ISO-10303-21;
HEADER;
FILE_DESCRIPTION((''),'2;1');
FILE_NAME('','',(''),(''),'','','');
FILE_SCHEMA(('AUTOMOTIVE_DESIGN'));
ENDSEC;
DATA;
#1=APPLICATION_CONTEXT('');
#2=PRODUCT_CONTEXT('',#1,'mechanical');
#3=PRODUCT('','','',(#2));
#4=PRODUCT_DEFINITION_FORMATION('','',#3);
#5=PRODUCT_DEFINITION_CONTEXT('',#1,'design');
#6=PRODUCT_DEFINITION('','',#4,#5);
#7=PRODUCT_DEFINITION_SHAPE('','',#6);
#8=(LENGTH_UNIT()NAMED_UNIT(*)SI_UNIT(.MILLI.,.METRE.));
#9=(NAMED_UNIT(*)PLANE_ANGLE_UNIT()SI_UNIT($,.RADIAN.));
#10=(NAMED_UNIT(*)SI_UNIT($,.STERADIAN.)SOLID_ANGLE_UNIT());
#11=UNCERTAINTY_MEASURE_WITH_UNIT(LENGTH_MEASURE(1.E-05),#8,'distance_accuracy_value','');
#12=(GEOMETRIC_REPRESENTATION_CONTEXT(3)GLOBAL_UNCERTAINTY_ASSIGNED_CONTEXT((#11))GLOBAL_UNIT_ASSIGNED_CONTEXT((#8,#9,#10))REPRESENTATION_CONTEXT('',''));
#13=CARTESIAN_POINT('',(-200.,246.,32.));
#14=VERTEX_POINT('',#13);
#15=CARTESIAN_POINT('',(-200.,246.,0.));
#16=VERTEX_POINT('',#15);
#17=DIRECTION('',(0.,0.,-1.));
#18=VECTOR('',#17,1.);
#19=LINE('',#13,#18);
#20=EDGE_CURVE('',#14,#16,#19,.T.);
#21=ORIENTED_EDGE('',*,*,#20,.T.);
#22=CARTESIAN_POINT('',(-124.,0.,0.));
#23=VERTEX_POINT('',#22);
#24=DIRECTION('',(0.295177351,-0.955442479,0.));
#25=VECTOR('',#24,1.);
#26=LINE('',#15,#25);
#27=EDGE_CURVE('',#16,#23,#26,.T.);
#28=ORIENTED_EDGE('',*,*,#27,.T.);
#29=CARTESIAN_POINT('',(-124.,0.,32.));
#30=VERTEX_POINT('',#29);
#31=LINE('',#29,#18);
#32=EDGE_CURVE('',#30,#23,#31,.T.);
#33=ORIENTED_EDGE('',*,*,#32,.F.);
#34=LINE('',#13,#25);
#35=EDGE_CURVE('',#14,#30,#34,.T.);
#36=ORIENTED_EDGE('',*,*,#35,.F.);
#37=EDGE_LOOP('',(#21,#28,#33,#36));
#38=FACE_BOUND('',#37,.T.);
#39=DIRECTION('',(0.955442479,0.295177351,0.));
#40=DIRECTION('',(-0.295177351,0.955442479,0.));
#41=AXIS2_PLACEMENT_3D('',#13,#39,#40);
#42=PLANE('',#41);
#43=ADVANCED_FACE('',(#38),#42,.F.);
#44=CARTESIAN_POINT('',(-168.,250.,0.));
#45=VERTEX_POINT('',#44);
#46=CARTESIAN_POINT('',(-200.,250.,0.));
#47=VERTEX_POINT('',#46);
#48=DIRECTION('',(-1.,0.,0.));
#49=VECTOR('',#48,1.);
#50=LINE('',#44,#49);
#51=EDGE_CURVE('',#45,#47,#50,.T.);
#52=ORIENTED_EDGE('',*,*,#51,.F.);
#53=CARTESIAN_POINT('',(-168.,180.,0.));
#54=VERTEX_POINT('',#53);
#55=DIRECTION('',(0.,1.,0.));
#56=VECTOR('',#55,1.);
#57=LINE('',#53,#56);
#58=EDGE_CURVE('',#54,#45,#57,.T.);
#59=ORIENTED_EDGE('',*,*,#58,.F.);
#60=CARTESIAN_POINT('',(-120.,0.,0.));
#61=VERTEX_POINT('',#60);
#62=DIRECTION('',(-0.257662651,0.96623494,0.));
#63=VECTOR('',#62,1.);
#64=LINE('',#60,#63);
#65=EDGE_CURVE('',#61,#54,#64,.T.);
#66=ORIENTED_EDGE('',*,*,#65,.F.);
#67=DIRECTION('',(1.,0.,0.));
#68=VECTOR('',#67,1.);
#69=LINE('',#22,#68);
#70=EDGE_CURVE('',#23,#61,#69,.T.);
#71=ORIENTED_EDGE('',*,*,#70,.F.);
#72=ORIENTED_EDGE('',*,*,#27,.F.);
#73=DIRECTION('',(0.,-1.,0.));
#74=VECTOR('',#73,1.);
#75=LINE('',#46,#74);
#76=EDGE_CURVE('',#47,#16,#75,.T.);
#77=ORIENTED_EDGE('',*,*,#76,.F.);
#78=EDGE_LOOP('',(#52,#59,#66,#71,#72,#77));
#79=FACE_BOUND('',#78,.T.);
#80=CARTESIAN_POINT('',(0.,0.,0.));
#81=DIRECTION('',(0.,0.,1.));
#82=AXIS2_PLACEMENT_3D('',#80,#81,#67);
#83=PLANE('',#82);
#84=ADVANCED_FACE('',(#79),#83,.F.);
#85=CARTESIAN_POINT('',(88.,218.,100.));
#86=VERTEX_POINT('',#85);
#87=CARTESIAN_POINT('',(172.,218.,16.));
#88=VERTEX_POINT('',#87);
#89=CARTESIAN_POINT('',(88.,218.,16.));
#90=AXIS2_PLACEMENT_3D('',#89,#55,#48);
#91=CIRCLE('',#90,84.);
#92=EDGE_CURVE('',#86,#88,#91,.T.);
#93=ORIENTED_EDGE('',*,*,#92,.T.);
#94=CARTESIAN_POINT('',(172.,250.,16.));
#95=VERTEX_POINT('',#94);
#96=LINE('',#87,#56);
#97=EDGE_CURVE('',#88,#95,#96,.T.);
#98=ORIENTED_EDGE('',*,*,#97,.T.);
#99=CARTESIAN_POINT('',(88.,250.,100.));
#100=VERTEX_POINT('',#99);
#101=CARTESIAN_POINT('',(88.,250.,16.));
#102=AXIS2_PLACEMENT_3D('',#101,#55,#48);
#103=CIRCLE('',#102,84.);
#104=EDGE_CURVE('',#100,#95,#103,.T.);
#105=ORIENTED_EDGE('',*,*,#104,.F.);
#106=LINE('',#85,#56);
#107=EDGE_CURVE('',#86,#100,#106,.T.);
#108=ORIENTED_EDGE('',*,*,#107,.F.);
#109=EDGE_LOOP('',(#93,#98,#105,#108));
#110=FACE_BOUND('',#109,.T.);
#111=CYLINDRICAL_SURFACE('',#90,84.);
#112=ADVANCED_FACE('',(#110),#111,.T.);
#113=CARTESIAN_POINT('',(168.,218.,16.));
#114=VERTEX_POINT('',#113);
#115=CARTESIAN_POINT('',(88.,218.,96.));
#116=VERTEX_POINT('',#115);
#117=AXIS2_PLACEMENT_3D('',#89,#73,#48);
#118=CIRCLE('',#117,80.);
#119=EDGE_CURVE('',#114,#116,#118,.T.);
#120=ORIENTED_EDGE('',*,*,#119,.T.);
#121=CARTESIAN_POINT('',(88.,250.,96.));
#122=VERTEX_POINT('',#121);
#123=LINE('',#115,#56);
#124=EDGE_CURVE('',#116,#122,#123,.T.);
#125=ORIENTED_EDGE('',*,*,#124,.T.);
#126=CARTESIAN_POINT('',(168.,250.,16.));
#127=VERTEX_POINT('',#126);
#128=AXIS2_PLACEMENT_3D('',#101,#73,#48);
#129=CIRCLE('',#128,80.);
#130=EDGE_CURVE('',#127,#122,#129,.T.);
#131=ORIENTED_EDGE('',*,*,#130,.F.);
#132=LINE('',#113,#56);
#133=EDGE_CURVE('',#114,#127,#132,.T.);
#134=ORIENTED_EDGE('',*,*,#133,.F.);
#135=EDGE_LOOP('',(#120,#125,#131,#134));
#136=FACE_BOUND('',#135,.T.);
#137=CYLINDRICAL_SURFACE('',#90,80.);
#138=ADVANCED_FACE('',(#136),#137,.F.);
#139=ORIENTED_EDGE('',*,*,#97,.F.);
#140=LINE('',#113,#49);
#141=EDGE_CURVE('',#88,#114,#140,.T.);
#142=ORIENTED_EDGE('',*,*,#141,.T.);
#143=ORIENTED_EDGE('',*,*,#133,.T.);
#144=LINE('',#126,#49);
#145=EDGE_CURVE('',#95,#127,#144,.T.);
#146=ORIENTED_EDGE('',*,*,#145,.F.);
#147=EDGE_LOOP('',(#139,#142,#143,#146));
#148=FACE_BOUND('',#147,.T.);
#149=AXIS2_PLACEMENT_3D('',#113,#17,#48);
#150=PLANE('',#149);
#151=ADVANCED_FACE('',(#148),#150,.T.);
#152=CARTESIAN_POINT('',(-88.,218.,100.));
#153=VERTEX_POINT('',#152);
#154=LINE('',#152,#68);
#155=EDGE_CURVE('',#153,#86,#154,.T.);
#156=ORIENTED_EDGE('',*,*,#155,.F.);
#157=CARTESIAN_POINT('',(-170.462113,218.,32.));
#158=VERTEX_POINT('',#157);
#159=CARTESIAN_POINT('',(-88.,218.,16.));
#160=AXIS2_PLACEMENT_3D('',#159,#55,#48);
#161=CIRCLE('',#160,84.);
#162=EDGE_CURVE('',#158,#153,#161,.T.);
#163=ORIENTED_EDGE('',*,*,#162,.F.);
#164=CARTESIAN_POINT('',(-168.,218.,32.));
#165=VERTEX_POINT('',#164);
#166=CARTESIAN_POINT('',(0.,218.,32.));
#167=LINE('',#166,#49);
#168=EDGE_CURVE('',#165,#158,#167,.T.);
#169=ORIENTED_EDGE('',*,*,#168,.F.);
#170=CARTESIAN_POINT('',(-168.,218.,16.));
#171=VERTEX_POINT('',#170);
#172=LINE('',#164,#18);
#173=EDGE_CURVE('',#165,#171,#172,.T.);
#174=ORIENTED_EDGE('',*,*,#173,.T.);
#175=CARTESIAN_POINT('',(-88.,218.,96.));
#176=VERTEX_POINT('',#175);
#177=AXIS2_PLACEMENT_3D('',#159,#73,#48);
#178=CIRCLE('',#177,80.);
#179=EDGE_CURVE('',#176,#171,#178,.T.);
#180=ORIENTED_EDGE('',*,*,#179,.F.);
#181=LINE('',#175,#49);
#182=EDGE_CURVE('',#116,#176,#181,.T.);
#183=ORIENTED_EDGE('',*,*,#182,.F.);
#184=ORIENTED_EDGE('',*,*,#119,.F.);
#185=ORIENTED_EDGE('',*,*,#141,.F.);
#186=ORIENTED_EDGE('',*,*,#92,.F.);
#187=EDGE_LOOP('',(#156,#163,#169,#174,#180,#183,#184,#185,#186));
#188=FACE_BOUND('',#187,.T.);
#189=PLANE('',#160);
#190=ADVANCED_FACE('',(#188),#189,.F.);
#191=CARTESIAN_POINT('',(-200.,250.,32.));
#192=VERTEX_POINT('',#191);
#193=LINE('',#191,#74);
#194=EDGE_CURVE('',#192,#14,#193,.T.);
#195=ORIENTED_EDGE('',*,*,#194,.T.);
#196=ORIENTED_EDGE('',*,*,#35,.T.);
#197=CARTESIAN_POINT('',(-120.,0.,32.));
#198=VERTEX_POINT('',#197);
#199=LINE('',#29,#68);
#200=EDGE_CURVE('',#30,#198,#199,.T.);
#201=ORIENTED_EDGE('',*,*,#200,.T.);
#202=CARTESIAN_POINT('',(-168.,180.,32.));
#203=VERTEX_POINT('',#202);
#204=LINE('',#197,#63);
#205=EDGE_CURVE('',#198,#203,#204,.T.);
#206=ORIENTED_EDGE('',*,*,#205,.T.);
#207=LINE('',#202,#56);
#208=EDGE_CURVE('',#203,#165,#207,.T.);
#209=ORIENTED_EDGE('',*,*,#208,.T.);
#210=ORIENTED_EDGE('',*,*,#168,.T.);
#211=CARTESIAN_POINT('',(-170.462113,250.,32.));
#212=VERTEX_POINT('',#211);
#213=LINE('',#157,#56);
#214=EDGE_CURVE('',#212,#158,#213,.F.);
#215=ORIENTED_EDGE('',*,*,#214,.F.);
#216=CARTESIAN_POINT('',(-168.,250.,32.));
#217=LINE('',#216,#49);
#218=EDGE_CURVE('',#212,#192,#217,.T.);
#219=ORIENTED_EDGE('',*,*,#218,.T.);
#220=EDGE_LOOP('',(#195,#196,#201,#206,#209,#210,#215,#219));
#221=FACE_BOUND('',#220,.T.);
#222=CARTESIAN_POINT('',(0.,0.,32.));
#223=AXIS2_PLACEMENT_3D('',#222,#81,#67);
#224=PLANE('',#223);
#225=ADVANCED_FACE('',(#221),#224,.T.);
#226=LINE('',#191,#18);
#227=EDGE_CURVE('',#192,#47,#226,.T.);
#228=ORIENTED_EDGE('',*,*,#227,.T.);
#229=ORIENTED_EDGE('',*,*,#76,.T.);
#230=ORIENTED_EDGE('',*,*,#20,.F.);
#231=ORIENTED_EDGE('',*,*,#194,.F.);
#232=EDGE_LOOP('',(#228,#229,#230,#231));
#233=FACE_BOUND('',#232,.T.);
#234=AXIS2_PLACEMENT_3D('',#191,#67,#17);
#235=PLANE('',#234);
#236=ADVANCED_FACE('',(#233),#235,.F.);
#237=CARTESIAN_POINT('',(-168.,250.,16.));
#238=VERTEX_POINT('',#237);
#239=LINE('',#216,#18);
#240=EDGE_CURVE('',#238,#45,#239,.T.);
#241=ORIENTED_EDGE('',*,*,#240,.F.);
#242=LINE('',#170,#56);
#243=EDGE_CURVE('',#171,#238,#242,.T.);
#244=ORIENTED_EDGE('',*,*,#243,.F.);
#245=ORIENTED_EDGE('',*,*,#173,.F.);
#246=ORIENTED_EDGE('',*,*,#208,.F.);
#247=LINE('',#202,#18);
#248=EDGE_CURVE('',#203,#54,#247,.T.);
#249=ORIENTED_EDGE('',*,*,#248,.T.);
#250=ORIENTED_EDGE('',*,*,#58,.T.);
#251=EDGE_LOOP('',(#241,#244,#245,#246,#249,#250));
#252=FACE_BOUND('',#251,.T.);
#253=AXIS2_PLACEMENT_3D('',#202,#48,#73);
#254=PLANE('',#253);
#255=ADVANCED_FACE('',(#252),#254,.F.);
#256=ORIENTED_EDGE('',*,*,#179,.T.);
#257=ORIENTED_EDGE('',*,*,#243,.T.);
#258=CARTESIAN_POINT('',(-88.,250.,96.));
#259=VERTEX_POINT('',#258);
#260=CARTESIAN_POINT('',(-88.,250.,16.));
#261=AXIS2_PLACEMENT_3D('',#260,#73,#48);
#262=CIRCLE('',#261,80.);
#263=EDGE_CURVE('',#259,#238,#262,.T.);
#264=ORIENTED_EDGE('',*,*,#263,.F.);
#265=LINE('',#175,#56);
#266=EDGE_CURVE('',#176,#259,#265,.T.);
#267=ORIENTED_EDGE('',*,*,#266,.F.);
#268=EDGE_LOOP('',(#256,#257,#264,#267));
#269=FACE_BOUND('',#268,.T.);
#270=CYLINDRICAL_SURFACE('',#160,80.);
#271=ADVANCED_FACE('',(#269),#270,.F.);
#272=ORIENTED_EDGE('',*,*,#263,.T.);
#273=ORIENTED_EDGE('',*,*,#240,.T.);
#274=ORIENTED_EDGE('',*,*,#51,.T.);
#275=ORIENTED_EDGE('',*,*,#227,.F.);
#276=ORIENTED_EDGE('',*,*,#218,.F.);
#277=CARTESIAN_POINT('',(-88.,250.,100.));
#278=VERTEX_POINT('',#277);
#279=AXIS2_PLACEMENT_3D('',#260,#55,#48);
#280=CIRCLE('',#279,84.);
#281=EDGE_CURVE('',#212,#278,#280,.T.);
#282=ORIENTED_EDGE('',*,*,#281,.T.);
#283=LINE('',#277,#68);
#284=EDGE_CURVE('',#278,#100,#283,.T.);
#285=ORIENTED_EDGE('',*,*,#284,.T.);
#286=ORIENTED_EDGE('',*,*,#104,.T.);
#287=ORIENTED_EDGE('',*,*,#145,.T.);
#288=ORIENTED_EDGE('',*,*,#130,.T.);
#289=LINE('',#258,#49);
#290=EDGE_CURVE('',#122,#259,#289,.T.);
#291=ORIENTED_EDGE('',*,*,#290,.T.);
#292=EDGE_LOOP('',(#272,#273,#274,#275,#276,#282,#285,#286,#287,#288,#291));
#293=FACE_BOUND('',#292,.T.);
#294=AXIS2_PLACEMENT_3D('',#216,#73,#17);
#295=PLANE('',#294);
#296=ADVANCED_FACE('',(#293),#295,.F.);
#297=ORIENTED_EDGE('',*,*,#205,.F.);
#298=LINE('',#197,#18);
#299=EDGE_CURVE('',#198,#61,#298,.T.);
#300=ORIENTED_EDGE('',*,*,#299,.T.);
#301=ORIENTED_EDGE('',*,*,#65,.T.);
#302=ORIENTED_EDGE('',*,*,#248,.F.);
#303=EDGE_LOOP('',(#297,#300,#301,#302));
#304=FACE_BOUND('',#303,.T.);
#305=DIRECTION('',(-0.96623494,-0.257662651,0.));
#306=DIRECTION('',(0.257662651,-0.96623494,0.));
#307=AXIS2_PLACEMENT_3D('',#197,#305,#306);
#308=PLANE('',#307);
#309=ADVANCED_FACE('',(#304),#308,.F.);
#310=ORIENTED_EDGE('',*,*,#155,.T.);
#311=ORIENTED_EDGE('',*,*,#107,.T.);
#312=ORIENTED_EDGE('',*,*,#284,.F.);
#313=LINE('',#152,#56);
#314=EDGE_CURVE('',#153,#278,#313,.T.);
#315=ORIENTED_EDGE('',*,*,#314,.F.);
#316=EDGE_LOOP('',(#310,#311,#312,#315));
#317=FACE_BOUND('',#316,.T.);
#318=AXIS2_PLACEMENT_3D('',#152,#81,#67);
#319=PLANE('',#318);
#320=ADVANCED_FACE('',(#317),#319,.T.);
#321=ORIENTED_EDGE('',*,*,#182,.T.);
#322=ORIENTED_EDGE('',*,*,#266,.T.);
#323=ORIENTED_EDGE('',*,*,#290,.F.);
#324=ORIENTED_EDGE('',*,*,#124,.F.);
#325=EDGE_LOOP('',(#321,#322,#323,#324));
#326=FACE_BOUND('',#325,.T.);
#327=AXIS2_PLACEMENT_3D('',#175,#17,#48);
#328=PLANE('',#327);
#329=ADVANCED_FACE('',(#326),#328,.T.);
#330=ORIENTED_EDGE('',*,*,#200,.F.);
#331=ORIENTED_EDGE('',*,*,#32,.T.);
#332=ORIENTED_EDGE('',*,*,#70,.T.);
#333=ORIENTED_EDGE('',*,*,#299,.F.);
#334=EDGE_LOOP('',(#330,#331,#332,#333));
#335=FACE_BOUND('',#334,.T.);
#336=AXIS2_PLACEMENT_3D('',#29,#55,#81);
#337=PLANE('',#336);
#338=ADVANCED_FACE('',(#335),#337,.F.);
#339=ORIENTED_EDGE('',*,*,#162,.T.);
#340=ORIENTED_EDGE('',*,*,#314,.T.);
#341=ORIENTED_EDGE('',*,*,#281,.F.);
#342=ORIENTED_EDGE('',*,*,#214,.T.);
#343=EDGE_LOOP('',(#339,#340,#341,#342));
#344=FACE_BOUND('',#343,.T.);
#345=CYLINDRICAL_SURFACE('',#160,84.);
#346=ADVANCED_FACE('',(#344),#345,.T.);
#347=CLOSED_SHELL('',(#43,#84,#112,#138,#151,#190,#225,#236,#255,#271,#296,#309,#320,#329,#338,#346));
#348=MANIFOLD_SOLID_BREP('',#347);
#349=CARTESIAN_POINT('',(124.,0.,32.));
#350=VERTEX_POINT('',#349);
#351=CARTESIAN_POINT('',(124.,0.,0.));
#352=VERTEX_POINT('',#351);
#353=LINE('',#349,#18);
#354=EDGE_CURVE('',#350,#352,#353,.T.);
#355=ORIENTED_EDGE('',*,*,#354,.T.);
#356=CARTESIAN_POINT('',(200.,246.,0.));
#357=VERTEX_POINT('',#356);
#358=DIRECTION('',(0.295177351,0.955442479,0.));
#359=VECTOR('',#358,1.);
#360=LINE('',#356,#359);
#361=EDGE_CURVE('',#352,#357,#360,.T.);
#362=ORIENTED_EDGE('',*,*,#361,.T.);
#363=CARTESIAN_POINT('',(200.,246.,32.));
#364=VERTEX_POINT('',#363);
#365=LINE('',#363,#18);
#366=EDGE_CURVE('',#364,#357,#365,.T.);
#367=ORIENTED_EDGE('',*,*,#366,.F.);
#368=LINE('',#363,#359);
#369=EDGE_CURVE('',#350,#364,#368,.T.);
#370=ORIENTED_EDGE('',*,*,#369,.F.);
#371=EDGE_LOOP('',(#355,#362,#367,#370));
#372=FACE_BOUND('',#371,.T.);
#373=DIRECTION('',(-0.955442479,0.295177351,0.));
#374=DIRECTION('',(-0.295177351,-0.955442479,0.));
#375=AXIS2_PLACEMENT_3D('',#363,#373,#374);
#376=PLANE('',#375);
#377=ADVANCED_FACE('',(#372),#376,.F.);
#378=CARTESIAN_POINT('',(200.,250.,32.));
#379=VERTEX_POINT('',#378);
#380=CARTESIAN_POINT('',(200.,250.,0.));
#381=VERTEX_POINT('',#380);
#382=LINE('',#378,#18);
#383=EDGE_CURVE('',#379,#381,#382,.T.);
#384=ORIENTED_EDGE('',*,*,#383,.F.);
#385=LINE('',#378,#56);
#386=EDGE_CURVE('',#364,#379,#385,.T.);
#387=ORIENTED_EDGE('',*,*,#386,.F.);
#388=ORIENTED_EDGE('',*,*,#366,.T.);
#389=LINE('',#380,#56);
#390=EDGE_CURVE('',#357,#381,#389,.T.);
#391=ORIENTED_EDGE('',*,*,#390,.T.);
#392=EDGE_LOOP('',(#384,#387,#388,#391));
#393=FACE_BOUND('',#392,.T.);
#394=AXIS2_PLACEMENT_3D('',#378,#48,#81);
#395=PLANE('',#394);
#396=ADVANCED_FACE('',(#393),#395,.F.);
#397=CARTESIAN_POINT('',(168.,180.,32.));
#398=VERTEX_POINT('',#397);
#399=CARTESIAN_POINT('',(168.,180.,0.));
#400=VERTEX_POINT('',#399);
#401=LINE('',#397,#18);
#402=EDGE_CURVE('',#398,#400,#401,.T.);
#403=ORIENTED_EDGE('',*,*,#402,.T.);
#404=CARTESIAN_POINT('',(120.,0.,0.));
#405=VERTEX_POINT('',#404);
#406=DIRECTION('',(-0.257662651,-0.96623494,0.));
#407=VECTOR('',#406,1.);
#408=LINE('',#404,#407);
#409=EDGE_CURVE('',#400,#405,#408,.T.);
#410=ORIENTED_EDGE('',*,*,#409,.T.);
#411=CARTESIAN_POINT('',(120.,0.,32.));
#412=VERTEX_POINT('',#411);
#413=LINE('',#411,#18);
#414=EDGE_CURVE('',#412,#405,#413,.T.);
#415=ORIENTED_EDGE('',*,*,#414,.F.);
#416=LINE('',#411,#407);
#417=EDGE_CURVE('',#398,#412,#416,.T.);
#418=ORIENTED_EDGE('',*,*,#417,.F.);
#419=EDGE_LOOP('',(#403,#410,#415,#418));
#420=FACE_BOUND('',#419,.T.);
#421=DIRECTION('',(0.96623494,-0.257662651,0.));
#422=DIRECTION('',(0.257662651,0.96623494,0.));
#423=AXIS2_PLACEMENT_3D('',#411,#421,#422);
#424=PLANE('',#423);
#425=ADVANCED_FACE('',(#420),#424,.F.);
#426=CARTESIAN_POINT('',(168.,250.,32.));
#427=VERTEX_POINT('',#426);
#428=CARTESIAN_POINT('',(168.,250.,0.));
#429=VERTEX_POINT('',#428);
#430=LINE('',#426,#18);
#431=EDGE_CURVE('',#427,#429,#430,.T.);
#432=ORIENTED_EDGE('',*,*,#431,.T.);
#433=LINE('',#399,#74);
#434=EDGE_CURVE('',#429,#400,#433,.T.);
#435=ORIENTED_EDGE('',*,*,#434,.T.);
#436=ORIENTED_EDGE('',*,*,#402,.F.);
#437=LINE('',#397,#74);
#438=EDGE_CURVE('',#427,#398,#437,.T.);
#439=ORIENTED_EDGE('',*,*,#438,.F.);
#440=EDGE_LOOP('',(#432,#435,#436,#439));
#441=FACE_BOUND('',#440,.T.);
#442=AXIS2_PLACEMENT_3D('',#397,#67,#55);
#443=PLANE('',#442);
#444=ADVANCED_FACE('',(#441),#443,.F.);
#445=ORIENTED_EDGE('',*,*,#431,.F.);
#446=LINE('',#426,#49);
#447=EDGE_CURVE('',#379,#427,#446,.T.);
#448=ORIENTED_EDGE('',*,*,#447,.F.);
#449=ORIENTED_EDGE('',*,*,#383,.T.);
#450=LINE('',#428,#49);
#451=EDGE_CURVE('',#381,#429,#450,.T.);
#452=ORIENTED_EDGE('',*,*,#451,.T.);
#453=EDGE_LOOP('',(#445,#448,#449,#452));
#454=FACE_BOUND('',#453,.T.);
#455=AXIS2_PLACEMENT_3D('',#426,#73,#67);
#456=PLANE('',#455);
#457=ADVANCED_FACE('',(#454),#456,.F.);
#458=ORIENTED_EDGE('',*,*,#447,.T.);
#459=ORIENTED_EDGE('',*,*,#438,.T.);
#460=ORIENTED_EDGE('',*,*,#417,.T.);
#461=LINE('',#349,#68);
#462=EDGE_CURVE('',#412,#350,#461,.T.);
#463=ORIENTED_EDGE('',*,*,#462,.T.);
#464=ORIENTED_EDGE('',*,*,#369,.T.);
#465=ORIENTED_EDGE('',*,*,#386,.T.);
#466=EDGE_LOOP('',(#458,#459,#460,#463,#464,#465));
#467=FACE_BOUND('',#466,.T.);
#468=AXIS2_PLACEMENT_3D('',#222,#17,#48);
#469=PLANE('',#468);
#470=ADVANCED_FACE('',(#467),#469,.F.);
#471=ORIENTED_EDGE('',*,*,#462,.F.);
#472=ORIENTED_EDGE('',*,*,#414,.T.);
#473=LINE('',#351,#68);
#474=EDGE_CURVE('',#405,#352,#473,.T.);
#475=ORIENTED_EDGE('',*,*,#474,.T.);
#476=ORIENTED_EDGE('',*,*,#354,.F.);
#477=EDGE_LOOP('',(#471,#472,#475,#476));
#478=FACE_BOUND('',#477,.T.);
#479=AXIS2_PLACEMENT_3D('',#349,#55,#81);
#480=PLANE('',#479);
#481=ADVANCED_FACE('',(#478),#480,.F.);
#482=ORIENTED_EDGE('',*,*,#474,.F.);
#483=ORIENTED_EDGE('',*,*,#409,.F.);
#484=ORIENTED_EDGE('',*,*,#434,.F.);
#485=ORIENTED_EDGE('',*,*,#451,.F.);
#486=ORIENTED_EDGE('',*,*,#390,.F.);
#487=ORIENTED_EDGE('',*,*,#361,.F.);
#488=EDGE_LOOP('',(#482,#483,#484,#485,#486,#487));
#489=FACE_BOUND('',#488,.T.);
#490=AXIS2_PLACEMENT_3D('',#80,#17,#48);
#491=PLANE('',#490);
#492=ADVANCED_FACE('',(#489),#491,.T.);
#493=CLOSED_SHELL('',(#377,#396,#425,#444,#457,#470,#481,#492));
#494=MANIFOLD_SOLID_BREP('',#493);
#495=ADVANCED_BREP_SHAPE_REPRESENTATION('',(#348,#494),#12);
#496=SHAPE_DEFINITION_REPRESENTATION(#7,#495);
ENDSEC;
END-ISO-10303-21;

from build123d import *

# Parameters (mm, degrees)
EXTRUDE_3_DEPTH   = 32
EXTRUDE_3_2_DEPTH = 32
EXTRUDE_5_DEPTH   = 32


with BuildPart() as part:
    # 草图12 → 凸台-拉伸3 (new body)
    with BuildSketch(Plane.XY):
        Polygon((-124, 0), (-120, 0), (-168, 180), (-168, 250), (-200, 250), (-200, 246), align=None)
    extrude(amount=EXTRUDE_3_DEPTH)

    # 草图13 → 凸台-拉伸5 (add)
    with BuildSketch(Plane(origin=(0, 250, 0), x_dir=(1, 0, 0), z_dir=(0, 1, 0))):
        with BuildLine():
            Line((-88, -96), (88, -96))
            ThreePointArc((88, -96), (144.568542495, -72.568542495), (168, -16))
            Line((168, -16), (172, -16))
            ThreePointArc((172, -16), (147.39696962, -75.39696962), (88, -100))
            Line((88, -100), (-88, -100))
            ThreePointArc((-88, -100), (-147.39696962, -75.39696962), (-172, -16))
            Line((-172, -16), (-168, -16))
            ThreePointArc((-168, -16), (-144.568542495, -72.568542495), (-88, -96))
        make_face()
    extrude(amount=-EXTRUDE_5_DEPTH)


with BuildPart() as body_2:
    # 草图12 → Extrude 3 2 (new body)
    with BuildSketch(Plane.XY):
        Polygon((120, 0), (168, 180), (168, 250), (200, 250), (200, 246), (124, 0), align=None)
    extrude(amount=EXTRUDE_3_2_DEPTH)


solid = Compound([part.part, body_2.part])
